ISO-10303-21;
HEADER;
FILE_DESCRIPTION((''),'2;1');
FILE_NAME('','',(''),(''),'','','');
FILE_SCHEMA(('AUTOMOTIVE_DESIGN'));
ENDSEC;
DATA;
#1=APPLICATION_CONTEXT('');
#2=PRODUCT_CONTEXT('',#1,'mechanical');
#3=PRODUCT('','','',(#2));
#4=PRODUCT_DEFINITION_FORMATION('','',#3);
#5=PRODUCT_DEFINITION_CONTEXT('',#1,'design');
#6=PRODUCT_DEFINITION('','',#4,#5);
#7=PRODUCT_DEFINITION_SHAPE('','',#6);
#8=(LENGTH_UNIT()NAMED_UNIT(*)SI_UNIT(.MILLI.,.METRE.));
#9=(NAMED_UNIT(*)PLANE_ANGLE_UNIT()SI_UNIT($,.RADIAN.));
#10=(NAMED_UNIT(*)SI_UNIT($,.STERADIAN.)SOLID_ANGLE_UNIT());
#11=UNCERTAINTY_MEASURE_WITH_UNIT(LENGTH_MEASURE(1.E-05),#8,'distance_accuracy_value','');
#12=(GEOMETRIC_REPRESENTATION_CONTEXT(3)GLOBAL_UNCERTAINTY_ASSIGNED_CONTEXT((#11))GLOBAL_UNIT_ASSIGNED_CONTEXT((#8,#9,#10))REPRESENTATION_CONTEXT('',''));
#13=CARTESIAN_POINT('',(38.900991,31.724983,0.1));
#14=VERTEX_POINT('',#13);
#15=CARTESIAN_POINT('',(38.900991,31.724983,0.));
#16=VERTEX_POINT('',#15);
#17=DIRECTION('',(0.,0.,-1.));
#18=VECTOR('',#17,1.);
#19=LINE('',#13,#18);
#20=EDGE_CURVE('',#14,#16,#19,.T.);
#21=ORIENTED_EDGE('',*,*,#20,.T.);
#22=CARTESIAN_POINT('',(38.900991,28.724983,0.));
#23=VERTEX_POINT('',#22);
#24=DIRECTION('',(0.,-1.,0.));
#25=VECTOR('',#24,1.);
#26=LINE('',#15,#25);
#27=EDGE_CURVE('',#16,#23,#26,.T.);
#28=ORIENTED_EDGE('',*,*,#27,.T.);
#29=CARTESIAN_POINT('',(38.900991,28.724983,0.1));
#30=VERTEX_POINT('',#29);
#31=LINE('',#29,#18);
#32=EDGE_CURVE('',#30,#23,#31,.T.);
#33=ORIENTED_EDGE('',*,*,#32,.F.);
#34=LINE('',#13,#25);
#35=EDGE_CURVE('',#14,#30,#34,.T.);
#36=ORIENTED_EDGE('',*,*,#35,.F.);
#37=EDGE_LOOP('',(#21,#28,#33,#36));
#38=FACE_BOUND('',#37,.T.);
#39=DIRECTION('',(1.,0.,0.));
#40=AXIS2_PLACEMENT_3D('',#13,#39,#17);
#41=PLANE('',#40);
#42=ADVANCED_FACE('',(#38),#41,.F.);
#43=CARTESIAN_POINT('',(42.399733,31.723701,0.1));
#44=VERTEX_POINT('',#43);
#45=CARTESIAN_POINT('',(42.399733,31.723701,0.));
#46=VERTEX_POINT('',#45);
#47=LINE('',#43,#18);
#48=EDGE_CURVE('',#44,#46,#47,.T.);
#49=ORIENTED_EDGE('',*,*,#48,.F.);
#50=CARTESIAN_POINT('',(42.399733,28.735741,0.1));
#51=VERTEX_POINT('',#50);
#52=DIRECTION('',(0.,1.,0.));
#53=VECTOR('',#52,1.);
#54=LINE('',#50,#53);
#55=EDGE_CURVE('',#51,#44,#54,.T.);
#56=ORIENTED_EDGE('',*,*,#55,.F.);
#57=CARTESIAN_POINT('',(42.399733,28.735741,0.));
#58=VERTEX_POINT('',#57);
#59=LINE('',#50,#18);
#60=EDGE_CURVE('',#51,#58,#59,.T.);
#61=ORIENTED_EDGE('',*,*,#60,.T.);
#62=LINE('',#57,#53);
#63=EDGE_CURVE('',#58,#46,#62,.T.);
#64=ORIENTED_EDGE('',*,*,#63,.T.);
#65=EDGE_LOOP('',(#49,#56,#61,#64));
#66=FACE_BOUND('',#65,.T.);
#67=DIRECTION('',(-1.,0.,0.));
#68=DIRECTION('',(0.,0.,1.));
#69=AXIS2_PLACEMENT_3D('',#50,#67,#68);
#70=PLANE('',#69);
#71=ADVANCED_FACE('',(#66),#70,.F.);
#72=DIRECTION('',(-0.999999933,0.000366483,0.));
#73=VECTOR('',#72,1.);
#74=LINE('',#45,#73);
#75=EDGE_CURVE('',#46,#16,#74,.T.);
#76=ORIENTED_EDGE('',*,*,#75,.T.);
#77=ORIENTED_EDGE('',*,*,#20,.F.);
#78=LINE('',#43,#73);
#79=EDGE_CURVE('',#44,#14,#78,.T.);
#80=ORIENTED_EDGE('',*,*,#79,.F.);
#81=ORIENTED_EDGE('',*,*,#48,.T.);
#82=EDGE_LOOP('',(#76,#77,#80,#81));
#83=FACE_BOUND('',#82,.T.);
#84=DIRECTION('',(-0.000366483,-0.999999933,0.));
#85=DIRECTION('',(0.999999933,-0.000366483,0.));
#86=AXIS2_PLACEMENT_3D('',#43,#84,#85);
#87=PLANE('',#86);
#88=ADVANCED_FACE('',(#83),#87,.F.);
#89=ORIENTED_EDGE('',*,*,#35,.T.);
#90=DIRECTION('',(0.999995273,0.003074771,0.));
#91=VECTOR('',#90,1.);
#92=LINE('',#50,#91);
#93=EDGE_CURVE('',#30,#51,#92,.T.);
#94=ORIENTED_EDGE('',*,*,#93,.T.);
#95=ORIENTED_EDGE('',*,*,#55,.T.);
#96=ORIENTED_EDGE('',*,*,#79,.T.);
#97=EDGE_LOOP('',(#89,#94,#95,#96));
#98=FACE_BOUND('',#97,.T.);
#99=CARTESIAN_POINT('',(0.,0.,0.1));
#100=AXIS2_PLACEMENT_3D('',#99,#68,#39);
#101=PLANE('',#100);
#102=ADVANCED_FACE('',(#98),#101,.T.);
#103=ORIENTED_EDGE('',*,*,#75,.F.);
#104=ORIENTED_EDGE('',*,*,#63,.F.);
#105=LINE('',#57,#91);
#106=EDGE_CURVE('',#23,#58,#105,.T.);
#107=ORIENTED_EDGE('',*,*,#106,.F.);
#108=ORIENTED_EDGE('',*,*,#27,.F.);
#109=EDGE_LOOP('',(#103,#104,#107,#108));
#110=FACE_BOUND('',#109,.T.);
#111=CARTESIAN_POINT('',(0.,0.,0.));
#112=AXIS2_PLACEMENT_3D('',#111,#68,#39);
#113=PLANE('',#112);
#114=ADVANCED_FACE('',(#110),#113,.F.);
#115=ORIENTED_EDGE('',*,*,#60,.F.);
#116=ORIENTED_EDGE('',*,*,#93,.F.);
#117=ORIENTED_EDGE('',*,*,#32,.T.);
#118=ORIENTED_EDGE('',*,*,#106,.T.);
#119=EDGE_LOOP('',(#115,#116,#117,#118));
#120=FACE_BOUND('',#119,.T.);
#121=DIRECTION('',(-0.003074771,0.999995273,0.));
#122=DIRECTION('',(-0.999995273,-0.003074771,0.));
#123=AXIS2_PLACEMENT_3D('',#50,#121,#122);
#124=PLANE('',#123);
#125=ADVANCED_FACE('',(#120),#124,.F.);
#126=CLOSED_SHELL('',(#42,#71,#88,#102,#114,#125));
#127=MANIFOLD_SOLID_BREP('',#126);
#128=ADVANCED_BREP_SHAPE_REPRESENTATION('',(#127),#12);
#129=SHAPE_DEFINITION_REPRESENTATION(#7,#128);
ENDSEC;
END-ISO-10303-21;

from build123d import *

# Parameters (mm, degrees)
SALIENTE_EXTRUIR1_DEPTH = 0.1


with BuildPart() as part:
    # Model → Saliente-Extruir1 (new body)
    with BuildSketch(Plane.XY):
        Polygon((42.399733425, 28.735740874), (38.900990882, 28.724982991), (38.900990882, 31.724982991), (42.399733425, 31.723700762), align=None)
    extrude(amount=SALIENTE_EXTRUIR1_DEPTH)


solid = part.part
